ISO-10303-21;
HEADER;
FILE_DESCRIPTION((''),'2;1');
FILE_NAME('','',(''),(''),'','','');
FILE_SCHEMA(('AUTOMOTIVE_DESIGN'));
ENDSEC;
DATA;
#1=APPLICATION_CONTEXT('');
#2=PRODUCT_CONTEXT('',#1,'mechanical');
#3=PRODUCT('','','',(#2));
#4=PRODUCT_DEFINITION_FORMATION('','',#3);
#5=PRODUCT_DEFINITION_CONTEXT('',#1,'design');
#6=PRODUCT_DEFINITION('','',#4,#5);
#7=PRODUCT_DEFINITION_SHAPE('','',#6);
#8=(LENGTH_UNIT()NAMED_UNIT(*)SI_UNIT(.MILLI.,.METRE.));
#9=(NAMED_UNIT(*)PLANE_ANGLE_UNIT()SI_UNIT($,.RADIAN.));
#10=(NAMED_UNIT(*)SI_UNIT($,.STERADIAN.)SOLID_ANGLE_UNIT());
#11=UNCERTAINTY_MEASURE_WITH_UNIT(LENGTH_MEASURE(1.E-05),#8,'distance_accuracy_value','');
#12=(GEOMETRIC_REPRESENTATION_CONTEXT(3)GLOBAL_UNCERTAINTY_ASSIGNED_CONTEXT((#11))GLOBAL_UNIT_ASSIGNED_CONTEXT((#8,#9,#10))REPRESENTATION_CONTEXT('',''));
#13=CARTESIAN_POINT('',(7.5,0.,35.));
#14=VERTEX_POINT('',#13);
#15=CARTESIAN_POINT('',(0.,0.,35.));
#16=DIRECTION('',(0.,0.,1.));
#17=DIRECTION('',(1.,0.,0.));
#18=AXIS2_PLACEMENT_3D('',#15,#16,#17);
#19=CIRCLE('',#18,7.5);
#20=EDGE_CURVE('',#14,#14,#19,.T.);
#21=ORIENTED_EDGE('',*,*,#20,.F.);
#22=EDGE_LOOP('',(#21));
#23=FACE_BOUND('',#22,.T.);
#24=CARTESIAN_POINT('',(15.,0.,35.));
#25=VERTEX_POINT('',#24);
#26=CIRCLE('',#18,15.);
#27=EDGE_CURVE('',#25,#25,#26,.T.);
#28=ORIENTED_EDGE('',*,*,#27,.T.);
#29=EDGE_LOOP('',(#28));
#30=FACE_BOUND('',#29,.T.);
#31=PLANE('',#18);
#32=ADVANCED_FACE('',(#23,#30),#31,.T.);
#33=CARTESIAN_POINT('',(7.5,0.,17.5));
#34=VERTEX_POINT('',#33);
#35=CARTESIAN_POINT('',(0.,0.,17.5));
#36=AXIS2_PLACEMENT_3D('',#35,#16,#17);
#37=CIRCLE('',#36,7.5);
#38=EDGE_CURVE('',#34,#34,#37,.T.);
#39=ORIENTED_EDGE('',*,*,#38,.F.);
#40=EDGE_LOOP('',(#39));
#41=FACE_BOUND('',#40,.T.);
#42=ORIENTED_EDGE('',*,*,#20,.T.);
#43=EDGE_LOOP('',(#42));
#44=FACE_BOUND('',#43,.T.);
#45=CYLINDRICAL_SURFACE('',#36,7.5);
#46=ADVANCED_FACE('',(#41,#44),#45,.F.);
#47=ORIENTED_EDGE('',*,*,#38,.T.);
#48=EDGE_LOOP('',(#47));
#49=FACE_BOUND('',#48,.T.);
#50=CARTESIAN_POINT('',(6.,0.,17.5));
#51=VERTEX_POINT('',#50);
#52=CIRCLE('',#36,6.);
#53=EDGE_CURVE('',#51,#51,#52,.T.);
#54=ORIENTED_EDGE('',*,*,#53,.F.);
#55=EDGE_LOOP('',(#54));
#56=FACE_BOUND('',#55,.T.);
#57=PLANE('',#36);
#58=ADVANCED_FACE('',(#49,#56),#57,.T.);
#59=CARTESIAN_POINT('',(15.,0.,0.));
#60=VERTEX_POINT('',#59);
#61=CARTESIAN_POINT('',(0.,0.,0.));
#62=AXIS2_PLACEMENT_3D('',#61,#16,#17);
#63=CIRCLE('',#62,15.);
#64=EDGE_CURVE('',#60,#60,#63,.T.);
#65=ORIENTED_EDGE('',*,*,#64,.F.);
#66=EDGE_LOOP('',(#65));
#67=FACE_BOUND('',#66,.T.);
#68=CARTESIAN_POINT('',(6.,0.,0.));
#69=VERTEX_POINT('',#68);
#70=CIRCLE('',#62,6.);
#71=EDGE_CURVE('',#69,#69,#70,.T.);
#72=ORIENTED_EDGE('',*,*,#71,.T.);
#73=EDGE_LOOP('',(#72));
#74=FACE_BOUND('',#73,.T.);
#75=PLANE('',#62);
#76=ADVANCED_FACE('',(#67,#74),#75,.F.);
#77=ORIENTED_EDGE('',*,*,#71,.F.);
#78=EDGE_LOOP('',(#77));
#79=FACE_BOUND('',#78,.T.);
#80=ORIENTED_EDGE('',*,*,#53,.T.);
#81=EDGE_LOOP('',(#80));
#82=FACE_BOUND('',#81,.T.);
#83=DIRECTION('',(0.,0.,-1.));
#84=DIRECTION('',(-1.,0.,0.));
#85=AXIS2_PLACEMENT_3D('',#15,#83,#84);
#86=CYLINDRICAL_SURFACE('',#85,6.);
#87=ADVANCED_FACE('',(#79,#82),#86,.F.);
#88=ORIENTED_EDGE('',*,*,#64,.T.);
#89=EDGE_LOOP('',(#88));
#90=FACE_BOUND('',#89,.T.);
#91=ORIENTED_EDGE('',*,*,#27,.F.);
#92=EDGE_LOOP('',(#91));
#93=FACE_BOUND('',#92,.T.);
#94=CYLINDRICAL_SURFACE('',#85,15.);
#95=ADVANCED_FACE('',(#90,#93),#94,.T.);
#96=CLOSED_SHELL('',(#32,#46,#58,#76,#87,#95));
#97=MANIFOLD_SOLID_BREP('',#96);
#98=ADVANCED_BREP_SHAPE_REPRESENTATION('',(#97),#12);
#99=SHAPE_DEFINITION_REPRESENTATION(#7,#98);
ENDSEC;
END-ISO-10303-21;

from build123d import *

# Parameters (mm, degrees)
SKETCH1_R           = 15
SKETCH1_R_2         = 6
BOSS_EXTRUDE1_DEPTH = 35
SKETCH2_R           = 7.5
CUT_EXTRUDE1_DEPTH  = 17.5


with BuildPart() as part:
    # Sketch1 → Boss-Extrude1 (new body)
    with BuildSketch(Plane.XY):
        Circle(SKETCH1_R)
        Circle(SKETCH1_R_2, mode=Mode.SUBTRACT)
    extrude(amount=BOSS_EXTRUDE1_DEPTH)

    # Sketch2 → Cut-Extrude1 (cut, symmetric)
    with BuildSketch(Plane.XY.offset(35)):
        Circle(SKETCH2_R)
    extrude(amount=CUT_EXTRUDE1_DEPTH, both=True, mode=Mode.SUBTRACT)


solid = part.part
